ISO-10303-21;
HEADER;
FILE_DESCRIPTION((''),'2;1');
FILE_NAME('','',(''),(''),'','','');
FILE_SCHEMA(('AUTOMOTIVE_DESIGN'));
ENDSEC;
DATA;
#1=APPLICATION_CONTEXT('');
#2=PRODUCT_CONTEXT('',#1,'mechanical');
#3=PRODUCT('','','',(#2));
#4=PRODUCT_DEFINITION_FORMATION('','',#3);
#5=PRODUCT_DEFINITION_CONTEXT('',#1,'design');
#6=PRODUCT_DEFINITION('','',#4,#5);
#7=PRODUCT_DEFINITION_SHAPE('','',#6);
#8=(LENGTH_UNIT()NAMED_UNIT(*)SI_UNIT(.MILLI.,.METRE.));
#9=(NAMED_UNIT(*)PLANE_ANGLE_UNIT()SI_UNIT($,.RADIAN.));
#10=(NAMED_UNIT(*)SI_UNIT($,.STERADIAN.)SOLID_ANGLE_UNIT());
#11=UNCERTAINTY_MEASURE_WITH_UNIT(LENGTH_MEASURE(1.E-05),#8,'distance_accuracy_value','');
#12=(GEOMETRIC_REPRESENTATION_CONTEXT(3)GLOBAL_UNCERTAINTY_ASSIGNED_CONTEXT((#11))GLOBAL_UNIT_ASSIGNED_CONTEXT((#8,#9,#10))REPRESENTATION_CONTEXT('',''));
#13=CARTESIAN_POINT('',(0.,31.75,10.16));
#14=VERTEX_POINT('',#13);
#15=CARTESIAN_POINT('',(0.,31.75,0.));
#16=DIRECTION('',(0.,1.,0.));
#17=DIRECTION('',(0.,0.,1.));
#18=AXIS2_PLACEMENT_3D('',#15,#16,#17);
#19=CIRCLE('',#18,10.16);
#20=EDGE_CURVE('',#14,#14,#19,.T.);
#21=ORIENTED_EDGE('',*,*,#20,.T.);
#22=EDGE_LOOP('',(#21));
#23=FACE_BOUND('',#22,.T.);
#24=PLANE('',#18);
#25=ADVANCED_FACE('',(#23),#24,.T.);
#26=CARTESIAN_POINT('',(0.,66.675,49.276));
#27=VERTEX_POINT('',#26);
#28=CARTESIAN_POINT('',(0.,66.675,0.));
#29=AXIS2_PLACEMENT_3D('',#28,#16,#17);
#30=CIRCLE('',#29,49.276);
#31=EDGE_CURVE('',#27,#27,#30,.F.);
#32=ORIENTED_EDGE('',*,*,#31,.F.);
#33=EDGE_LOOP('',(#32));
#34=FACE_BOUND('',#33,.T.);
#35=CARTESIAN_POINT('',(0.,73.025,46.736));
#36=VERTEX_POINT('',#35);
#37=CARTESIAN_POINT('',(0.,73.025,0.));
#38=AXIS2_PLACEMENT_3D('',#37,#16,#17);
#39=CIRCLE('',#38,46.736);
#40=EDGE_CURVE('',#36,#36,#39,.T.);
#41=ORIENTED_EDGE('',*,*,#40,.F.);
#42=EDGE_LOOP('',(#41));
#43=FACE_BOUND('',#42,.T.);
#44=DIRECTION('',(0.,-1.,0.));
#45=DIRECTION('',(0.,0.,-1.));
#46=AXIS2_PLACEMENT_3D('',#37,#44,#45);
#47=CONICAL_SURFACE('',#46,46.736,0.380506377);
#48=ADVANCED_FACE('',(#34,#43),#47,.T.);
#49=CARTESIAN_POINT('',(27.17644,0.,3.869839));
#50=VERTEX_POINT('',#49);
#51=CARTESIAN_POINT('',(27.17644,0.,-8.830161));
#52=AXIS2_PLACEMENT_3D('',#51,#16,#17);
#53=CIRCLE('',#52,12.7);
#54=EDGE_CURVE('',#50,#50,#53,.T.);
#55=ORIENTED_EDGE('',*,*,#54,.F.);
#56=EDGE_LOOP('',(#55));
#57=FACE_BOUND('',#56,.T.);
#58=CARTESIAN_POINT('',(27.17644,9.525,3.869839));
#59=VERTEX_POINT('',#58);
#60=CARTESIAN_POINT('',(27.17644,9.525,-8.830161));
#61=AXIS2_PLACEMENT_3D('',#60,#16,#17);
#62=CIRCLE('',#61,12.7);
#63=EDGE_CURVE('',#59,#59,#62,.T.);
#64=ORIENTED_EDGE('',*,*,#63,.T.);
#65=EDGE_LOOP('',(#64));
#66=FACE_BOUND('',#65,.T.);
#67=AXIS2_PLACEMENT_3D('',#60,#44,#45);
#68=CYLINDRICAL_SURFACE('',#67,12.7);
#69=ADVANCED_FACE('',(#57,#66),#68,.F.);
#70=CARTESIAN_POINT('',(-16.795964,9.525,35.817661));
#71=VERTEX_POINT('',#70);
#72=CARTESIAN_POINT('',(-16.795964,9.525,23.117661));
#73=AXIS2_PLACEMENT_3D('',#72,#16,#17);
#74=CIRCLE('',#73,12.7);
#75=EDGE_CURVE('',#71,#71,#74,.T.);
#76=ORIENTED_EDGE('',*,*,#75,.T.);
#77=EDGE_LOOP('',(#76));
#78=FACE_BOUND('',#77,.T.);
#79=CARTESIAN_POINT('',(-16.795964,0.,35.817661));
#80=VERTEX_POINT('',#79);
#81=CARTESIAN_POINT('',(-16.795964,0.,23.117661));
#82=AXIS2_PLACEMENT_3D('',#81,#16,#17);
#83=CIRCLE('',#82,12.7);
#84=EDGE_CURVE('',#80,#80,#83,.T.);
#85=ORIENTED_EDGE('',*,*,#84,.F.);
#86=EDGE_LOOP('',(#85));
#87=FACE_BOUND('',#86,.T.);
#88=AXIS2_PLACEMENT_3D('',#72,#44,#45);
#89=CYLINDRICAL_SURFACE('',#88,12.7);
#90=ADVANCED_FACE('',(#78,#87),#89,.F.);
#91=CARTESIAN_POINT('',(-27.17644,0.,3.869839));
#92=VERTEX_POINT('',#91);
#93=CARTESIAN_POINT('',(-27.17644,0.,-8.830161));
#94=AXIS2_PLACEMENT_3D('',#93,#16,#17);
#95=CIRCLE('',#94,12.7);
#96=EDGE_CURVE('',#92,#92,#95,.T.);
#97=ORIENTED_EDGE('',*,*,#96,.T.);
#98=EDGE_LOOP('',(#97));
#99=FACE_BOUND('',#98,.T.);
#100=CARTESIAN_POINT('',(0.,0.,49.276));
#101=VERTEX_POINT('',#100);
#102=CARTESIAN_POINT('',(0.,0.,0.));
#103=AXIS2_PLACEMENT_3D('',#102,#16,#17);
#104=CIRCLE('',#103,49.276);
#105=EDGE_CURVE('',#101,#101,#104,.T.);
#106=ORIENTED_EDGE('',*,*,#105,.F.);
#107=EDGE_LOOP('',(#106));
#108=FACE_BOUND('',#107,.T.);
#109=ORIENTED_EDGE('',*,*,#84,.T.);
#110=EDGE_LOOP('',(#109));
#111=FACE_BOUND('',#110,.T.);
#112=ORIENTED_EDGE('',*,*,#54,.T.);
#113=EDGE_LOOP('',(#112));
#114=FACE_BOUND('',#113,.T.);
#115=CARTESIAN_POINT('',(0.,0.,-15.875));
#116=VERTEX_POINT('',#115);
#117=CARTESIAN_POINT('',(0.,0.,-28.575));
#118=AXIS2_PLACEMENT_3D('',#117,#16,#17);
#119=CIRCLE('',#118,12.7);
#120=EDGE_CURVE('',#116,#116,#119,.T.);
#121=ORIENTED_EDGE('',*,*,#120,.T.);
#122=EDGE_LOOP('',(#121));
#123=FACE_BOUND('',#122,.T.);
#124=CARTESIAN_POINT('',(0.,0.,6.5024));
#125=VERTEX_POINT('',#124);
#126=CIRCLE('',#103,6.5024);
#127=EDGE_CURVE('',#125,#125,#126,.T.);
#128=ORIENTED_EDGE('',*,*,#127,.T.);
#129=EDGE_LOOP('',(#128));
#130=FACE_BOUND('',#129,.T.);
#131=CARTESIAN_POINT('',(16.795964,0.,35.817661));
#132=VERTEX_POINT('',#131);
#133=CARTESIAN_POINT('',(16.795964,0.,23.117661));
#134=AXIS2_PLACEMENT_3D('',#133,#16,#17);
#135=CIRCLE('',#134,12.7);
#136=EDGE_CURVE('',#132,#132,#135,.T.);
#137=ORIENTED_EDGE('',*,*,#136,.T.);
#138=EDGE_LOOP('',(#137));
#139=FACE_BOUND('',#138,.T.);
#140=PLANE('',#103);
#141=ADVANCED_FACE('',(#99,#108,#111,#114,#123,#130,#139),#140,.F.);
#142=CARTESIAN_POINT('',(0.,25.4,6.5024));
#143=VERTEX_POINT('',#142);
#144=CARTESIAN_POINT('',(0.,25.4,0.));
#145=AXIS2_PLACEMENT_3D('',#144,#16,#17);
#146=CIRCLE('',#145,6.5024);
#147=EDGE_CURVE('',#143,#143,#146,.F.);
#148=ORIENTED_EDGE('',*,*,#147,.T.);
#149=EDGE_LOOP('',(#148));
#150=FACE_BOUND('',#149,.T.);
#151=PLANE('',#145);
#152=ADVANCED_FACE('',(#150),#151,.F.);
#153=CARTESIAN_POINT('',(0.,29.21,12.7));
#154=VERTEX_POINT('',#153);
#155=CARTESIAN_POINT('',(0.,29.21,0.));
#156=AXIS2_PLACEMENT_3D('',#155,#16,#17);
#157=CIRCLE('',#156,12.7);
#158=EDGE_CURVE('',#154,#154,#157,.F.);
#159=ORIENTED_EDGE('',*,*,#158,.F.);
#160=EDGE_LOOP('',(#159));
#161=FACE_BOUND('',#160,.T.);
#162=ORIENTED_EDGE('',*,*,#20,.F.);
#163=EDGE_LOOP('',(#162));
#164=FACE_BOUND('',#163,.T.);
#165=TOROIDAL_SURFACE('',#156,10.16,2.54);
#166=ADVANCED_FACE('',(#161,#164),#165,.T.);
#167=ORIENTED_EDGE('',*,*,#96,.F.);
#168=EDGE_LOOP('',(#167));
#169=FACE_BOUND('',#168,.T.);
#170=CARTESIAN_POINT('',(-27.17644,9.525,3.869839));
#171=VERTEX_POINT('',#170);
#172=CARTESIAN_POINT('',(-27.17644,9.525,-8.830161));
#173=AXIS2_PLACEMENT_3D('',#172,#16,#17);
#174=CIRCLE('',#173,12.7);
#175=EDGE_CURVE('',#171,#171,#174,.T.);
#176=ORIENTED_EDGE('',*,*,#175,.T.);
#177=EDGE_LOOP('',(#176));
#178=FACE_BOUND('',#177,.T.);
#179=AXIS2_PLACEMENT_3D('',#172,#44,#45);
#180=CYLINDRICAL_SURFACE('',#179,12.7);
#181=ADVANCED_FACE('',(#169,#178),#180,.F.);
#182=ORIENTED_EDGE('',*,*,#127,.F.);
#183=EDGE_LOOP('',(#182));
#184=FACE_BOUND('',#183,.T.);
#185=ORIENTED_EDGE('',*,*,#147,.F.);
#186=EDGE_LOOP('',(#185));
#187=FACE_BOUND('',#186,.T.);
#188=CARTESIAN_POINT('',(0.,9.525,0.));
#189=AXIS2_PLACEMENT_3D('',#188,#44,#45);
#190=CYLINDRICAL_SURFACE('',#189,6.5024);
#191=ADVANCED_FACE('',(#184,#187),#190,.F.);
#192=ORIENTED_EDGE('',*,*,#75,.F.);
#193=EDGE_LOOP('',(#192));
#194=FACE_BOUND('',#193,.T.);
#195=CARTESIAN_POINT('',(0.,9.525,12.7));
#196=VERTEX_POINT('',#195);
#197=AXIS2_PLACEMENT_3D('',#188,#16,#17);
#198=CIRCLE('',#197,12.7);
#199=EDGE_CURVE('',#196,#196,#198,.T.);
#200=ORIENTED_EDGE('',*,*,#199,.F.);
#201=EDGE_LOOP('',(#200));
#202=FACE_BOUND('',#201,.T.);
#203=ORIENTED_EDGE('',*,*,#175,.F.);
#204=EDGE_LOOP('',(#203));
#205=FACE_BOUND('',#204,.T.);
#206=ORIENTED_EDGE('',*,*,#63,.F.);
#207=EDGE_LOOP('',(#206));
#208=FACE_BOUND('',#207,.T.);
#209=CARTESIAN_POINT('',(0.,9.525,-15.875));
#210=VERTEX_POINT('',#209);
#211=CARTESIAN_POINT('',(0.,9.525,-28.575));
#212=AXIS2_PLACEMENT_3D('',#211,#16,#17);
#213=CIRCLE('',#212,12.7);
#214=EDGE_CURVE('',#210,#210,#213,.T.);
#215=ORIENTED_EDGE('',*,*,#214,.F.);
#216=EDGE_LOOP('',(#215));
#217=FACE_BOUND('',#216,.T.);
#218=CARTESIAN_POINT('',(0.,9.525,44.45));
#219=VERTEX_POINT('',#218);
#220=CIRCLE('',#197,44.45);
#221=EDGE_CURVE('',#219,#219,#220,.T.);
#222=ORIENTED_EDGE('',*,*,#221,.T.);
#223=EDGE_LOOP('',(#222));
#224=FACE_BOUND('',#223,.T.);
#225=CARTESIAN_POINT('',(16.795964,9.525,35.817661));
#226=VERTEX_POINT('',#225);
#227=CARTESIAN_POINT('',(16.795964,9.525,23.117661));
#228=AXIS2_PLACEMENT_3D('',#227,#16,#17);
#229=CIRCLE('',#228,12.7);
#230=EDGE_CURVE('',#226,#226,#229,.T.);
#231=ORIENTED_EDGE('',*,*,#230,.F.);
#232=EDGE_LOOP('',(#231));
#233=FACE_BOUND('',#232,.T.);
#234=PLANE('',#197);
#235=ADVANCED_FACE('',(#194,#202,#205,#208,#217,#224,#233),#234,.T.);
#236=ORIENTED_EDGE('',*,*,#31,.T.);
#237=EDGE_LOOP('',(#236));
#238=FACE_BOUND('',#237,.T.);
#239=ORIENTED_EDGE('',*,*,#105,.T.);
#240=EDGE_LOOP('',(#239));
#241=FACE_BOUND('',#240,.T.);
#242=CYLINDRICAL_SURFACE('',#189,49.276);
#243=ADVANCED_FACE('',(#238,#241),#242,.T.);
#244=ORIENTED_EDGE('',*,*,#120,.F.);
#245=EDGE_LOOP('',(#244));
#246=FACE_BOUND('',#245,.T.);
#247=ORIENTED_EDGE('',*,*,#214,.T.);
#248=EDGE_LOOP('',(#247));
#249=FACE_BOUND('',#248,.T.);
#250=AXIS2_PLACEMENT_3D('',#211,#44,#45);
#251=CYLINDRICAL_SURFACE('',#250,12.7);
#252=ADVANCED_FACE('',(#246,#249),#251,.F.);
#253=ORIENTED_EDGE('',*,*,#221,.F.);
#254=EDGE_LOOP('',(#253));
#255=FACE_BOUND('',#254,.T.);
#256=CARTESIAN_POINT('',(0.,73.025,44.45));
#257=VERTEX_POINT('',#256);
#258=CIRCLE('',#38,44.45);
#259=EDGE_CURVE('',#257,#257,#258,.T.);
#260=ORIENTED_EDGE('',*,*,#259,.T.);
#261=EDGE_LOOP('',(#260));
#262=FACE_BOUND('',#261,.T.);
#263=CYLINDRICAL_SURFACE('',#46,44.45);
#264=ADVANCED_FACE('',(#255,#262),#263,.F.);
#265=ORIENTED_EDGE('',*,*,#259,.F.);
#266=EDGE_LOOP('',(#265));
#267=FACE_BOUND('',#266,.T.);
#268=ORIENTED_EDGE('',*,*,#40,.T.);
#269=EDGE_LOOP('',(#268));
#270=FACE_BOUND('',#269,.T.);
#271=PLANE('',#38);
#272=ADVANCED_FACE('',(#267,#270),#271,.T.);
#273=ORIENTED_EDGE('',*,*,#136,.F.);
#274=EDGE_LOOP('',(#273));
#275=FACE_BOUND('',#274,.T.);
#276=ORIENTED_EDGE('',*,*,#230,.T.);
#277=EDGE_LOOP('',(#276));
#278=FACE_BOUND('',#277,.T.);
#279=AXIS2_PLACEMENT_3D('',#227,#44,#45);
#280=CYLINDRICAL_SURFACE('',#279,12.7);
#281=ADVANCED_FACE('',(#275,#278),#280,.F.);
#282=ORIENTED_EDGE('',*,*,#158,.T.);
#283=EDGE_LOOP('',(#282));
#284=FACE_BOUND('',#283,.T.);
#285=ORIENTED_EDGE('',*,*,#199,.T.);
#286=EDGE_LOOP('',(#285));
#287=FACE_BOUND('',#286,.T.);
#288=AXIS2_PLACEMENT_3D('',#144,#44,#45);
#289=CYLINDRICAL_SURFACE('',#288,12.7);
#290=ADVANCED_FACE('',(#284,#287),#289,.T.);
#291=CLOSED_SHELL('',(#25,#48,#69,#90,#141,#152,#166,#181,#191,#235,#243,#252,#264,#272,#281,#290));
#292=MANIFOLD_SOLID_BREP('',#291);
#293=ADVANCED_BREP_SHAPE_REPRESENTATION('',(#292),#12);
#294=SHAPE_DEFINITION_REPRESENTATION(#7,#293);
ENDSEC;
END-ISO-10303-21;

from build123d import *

# Parameters (mm, degrees)
SKETCH1_R           = 49.276
SKETCH1_R_2         = 6.5024
SKETCH1_R_3         = 12.7
BOSS_EXTRUDE1_DEPTH = 9.525
SKETCH2_R           = 49.276
SKETCH2_R_2         = 44.45
BOSS_EXTRUDE2_DEPTH = 63.5
SKETCH3_R           = 12.7
SKETCH3_R_2         = 6.5024
BOSS_EXTRUDE3_DEPTH = 15.875
CHAMFER1_SIZE       = 6.35
CHAMFER1_SIZE2      = 2.54
SKETCH4_R           = 12.7
BOSS_EXTRUDE4_DEPTH = 6.35
FILLET1_R           = 2.54


with BuildPart() as part:
    # Sketch1 → Boss-Extrude1 (new body)
    with BuildSketch(Plane(origin=(0, 0, 0), x_dir=(1, 0, 0), z_dir=(0, 1, 0))):
        Circle(SKETCH1_R)
        Circle(SKETCH1_R_2, mode=Mode.SUBTRACT)
        with Locations((0, 28.575)):
            Circle(SKETCH1_R_3, mode=Mode.SUBTRACT)
        with Locations((27.176439953, 8.830160614)):
            Circle(SKETCH1_R_3, mode=Mode.SUBTRACT)
        with Locations((16.795963584, -23.117660614)):
            Circle(SKETCH1_R_3, mode=Mode.SUBTRACT)
        with Locations((-16.795963584, -23.117660614)):
            Circle(SKETCH1_R_3, mode=Mode.SUBTRACT)
        with Locations((-27.176439953, 8.830160614)):
            Circle(SKETCH1_R_3, mode=Mode.SUBTRACT)
    extrude(amount=BOSS_EXTRUDE1_DEPTH)

    # Sketch2 → Boss-Extrude2 (add)
    with BuildSketch(Plane(origin=(0, 9.525, 0), x_dir=(1, 0, 0), z_dir=(0, 1, 0))):
        Circle(SKETCH2_R)
        Circle(SKETCH2_R_2, mode=Mode.SUBTRACT)
    extrude(amount=BOSS_EXTRUDE2_DEPTH)

    # Sketch3 → Boss-Extrude3 (add)
    with BuildSketch(Plane(origin=(0, 9.525, 0), x_dir=(1, 0, 0), z_dir=(0, 1, 0))):
        Circle(SKETCH3_R)
        Circle(SKETCH3_R_2, mode=Mode.SUBTRACT)
    extrude(amount=BOSS_EXTRUDE3_DEPTH)

    # Chamfer1
    chamfer1_edges = [part.edges().sort_by_distance(p)[0] for p in [
        (-49.276, 73.025, 0),
    ]]
    chamfer1_side = [part.faces().sort_by_distance(p)[0] for p in [
        (-49.276, 36.5125, 0),
    ]]
    chamfer(chamfer1_edges, length=CHAMFER1_SIZE, length2=CHAMFER1_SIZE2, reference=chamfer1_side[0])

    # Sketch4 → Boss-Extrude4 (add)
    with BuildSketch(Plane(origin=(0, 25.4, 0), x_dir=(1, 0, 0), z_dir=(0, 1, 0))):
        Circle(SKETCH4_R)
    extrude(amount=BOSS_EXTRUDE4_DEPTH)

    # Fillet1
    fillet1_edges = [part.edges().sort_by_distance(p)[0] for p in [
        (-12.7, 31.75, 0),
    ]]
    fillet(fillet1_edges, radius=FILLET1_R)


solid = part.part
